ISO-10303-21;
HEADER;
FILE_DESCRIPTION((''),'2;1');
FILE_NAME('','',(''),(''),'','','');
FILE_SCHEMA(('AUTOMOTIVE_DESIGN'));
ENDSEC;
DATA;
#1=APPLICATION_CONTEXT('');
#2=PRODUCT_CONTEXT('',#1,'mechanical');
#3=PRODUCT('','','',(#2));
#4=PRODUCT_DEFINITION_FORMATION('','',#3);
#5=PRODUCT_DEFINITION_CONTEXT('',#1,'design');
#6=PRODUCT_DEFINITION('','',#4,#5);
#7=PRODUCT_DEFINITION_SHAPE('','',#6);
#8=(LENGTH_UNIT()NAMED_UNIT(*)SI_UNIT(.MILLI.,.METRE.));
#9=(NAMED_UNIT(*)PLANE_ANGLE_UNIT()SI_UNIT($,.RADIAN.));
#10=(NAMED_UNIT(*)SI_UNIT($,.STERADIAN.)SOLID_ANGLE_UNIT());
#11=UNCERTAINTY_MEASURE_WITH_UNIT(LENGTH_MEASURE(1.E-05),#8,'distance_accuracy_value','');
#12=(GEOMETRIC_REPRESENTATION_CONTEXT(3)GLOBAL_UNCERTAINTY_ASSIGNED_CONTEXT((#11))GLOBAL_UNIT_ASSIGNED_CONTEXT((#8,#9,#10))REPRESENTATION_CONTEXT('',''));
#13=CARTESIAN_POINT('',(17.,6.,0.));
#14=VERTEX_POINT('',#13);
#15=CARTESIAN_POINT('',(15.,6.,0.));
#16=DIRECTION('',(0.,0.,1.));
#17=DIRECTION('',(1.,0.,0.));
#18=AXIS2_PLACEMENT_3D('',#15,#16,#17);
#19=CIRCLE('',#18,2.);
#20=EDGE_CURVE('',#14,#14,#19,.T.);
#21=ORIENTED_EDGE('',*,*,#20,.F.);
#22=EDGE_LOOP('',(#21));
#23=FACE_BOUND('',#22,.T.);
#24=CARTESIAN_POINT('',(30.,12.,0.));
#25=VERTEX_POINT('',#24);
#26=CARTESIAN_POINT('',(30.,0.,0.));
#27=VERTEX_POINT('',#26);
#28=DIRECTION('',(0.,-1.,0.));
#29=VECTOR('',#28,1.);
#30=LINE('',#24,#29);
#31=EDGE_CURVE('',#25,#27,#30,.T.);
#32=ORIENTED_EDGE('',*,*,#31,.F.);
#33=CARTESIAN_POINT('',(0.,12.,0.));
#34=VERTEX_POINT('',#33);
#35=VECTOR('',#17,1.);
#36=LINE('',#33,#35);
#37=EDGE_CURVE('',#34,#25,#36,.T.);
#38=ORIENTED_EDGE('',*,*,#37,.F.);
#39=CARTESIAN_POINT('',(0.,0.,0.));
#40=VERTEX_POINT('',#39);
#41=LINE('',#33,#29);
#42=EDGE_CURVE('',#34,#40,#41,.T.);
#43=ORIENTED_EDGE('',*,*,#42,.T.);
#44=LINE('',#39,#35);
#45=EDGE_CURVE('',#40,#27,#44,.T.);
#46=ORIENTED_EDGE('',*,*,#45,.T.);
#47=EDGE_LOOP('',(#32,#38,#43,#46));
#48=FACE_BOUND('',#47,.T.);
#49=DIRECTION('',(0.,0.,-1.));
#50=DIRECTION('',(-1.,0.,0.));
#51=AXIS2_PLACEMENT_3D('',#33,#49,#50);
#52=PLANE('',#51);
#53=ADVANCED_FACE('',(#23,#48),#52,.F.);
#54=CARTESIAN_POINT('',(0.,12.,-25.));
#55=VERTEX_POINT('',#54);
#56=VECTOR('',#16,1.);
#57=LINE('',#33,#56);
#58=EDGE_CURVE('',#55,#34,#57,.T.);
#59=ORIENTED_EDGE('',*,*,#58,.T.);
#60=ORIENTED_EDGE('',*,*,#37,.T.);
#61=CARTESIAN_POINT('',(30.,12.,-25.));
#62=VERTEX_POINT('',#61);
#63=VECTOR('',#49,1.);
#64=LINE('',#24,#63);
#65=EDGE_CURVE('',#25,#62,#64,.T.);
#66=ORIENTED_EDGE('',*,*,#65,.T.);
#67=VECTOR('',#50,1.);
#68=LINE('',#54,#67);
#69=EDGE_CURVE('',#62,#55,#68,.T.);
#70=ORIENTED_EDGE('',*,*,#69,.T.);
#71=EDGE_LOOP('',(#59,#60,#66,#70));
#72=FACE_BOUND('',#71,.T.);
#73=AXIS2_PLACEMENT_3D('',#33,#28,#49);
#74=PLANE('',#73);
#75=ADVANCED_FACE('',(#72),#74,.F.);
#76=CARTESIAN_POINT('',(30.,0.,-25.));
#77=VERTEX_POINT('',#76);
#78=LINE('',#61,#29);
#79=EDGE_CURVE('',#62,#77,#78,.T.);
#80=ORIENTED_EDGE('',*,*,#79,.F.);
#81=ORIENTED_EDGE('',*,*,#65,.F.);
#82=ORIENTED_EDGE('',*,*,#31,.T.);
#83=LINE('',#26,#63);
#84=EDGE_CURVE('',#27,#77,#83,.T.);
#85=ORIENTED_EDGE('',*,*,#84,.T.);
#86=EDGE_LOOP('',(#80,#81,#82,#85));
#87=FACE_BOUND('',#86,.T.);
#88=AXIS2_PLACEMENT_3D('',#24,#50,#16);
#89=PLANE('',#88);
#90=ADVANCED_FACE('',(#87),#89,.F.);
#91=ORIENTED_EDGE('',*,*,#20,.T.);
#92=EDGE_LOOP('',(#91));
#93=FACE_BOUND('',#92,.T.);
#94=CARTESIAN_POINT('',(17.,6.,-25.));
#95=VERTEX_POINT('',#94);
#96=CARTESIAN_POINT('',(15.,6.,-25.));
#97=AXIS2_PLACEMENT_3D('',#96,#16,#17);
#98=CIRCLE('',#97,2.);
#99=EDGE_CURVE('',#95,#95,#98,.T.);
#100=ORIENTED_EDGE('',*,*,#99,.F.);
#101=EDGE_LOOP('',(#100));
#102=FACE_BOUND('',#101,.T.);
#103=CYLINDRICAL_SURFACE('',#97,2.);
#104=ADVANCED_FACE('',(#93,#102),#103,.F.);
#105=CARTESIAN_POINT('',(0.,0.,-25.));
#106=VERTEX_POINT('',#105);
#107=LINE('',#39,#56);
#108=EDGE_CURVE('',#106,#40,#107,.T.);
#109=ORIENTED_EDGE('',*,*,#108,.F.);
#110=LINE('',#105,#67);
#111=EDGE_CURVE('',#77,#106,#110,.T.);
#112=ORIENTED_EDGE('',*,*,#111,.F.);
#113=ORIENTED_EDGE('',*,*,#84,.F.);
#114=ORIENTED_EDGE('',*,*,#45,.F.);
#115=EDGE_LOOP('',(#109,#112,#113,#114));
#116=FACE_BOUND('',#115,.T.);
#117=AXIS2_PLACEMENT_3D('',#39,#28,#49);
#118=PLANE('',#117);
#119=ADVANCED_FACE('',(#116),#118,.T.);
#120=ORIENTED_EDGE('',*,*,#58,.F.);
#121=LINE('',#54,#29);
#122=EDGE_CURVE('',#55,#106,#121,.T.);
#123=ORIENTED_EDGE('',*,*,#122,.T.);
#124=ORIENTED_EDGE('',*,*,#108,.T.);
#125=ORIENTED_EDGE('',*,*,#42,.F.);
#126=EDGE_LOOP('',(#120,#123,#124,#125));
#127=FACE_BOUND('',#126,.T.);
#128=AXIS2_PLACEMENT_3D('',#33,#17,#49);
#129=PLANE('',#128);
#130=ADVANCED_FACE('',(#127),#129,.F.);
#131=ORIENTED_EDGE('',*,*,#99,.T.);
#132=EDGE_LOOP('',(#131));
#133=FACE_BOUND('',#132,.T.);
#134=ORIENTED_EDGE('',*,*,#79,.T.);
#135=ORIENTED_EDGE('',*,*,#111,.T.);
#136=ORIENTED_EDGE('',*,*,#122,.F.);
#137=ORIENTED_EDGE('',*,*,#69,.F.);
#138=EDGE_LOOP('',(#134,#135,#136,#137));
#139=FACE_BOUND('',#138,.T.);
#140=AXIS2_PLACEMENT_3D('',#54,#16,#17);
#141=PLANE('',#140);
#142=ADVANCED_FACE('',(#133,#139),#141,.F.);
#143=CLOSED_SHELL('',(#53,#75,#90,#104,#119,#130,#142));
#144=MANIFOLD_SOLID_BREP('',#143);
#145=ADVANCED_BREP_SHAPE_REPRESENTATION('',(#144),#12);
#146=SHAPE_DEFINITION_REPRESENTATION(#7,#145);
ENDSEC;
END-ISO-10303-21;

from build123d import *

# Parameters (mm, degrees)
SKETCH_1_W          = 30
SKETCH_1_H          = 25
EXTRUDE_1_DEPTH     = 12
CUT_EXTRUDE_1_DEPTH = 25


with BuildPart() as part:
    # 草图1 → 凸台-拉伸1 (new body)
    with BuildSketch(Plane(origin=(0, 0, 0), x_dir=(1, 0, 0), z_dir=(0, 1, 0))):
        with Locations((15, 12.5)):
            Rectangle(SKETCH_1_W, SKETCH_1_H)
    extrude(amount=EXTRUDE_1_DEPTH)

    # 草图2 → 切除-拉伸1 (cut)
    with BuildSketch(Plane.XY):
        with BuildLine():
            ThreePointArc((16.856953382, 6.742781353), (15, 8), (13.143046618, 6.742781353))
            Line((13.143046618, 6.742781353), (15, 6))
            Line((15, 6), (16.856953382, 6.742781353))
        make_face()
        with BuildLine():
            Line((15, 6), (13.143046618, 6.742781353))
            ThreePointArc((13.143046618, 6.742781353), (13, 6), (13.143046618, 5.257218647))
            Line((13.143046618, 5.257218647), (15, 6))
        make_face()
        with BuildLine():
            Line((16.856953382, 6.742781353), (15, 6))
            Line((15, 6), (16.856953382, 5.257218647))
            ThreePointArc((16.856953382, 5.257218647), (16.963912773, 5.621784958), (17, 6))
            ThreePointArc((17, 6), (16.963912773, 6.378215042), (16.856953382, 6.742781353))
        make_face()
        with BuildLine():
            Line((16.856953382, 5.257218647), (15, 6))
            Line((15, 6), (13.143046618, 5.257218647))
            ThreePointArc((13.143046618, 5.257218647), (15, 4), (16.856953382, 5.257218647))
        make_face()
    extrude(amount=-CUT_EXTRUDE_1_DEPTH, mode=Mode.SUBTRACT)


solid = part.part
